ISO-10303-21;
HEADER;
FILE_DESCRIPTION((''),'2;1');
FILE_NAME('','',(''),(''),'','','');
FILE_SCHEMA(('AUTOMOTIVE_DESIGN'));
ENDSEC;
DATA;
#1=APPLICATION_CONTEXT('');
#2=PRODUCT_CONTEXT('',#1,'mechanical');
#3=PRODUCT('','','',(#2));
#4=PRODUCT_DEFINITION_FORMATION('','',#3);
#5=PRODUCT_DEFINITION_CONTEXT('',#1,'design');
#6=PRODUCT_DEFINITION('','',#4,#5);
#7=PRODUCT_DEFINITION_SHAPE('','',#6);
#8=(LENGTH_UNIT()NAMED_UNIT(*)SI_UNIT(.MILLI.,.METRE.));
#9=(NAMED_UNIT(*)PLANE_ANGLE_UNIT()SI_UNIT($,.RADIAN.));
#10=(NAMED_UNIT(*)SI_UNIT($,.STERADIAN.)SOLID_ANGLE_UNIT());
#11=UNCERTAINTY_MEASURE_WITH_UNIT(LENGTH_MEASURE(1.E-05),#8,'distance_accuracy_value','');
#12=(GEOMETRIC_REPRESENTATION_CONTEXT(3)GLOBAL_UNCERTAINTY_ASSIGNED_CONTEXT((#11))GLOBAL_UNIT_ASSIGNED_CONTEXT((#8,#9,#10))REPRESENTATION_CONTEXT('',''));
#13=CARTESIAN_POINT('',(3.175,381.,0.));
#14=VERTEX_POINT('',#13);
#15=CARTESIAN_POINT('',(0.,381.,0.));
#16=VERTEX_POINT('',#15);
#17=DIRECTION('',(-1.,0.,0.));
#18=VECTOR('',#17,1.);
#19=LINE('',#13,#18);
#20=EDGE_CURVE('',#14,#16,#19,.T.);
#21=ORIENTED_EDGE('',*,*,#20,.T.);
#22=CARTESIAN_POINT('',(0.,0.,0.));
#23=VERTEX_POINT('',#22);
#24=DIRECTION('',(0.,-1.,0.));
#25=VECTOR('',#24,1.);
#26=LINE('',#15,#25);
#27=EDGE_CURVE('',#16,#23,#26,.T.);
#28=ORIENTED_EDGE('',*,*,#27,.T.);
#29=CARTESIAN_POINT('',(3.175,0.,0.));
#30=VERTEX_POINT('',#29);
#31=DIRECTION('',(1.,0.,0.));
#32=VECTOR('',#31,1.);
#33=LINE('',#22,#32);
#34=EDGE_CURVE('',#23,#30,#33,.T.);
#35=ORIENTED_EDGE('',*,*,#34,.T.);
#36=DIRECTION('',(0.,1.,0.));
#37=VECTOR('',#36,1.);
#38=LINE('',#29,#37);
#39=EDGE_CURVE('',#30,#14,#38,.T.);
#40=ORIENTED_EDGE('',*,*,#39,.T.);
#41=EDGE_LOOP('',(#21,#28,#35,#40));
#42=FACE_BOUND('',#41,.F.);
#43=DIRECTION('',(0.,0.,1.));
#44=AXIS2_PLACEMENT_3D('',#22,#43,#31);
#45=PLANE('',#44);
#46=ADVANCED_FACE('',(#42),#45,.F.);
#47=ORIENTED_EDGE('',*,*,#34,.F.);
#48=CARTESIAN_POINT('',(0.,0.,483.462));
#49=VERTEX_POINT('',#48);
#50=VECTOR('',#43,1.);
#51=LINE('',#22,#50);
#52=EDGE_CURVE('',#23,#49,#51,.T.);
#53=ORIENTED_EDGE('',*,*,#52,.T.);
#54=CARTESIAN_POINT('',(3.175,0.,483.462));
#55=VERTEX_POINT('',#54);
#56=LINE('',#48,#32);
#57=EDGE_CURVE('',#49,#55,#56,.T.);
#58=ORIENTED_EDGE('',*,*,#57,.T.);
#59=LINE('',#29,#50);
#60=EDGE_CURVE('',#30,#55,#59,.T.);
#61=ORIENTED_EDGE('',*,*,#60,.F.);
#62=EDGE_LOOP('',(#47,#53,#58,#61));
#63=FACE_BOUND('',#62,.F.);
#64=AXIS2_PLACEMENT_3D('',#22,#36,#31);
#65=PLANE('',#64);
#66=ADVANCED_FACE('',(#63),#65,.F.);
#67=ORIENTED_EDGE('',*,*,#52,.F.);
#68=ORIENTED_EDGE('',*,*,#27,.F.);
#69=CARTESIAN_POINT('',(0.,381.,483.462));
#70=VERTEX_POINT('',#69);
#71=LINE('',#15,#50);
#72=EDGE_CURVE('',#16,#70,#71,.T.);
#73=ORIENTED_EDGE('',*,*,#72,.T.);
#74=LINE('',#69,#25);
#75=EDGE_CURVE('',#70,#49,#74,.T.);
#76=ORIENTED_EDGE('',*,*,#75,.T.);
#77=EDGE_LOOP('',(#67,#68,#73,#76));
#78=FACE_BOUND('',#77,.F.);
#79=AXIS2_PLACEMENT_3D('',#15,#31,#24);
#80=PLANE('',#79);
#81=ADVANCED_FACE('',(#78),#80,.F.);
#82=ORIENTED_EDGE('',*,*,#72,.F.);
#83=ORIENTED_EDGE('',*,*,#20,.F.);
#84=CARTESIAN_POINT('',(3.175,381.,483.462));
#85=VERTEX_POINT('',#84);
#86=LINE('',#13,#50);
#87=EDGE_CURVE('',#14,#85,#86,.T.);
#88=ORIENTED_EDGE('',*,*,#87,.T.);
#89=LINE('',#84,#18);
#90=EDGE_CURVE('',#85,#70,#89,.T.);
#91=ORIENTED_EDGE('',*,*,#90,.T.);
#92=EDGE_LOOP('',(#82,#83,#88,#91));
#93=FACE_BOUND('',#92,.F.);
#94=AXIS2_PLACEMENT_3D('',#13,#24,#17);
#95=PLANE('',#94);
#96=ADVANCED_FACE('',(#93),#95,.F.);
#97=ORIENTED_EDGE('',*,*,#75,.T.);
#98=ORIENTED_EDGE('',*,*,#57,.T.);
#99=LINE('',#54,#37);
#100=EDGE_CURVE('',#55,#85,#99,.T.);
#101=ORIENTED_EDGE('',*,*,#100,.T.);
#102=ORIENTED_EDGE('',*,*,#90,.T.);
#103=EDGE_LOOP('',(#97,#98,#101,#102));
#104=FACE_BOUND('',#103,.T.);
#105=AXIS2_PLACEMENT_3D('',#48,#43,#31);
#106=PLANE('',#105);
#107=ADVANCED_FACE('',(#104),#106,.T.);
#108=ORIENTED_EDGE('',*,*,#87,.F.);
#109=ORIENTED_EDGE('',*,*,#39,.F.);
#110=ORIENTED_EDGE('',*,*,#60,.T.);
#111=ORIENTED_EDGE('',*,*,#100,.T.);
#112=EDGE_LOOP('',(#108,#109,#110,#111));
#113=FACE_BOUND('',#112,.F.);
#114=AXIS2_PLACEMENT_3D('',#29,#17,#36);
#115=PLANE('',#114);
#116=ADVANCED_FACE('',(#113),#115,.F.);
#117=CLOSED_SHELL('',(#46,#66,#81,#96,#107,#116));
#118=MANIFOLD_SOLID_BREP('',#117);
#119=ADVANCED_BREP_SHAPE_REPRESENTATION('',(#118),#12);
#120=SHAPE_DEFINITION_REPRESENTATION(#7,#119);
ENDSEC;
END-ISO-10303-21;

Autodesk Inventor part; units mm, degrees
ref_plane "YZ Plane" through (0, 0, 0) normal (1, 0, 0) x (0, 1, 0)
ref_plane "XZ Plane" through (0, 0, 0) normal (0, 1, 0) x (-1, 0, 0)
ref_plane "XY Plane" through (0, 0, 0) normal (0, 0, 1) x (1, 0, 0)
sketch "Sketch1" plane through (0, 0, 0) normal (0, 0, 1) x (1, 0, 0)
  line L0 (0, 0) -> (3.175, 0)
  line L1 (3.175, 0) -> (3.175, 381)
  line L2 (3.175, 381) -> (0, 381)
  line L3 (0, 381) -> (0, 0)
  dimension "d0" = 3.175
  dimension "d1" = 381
extrude "Extrusion1" add sketch "Sketch1" along normal blind 483.462
properties part number "Ramp"
